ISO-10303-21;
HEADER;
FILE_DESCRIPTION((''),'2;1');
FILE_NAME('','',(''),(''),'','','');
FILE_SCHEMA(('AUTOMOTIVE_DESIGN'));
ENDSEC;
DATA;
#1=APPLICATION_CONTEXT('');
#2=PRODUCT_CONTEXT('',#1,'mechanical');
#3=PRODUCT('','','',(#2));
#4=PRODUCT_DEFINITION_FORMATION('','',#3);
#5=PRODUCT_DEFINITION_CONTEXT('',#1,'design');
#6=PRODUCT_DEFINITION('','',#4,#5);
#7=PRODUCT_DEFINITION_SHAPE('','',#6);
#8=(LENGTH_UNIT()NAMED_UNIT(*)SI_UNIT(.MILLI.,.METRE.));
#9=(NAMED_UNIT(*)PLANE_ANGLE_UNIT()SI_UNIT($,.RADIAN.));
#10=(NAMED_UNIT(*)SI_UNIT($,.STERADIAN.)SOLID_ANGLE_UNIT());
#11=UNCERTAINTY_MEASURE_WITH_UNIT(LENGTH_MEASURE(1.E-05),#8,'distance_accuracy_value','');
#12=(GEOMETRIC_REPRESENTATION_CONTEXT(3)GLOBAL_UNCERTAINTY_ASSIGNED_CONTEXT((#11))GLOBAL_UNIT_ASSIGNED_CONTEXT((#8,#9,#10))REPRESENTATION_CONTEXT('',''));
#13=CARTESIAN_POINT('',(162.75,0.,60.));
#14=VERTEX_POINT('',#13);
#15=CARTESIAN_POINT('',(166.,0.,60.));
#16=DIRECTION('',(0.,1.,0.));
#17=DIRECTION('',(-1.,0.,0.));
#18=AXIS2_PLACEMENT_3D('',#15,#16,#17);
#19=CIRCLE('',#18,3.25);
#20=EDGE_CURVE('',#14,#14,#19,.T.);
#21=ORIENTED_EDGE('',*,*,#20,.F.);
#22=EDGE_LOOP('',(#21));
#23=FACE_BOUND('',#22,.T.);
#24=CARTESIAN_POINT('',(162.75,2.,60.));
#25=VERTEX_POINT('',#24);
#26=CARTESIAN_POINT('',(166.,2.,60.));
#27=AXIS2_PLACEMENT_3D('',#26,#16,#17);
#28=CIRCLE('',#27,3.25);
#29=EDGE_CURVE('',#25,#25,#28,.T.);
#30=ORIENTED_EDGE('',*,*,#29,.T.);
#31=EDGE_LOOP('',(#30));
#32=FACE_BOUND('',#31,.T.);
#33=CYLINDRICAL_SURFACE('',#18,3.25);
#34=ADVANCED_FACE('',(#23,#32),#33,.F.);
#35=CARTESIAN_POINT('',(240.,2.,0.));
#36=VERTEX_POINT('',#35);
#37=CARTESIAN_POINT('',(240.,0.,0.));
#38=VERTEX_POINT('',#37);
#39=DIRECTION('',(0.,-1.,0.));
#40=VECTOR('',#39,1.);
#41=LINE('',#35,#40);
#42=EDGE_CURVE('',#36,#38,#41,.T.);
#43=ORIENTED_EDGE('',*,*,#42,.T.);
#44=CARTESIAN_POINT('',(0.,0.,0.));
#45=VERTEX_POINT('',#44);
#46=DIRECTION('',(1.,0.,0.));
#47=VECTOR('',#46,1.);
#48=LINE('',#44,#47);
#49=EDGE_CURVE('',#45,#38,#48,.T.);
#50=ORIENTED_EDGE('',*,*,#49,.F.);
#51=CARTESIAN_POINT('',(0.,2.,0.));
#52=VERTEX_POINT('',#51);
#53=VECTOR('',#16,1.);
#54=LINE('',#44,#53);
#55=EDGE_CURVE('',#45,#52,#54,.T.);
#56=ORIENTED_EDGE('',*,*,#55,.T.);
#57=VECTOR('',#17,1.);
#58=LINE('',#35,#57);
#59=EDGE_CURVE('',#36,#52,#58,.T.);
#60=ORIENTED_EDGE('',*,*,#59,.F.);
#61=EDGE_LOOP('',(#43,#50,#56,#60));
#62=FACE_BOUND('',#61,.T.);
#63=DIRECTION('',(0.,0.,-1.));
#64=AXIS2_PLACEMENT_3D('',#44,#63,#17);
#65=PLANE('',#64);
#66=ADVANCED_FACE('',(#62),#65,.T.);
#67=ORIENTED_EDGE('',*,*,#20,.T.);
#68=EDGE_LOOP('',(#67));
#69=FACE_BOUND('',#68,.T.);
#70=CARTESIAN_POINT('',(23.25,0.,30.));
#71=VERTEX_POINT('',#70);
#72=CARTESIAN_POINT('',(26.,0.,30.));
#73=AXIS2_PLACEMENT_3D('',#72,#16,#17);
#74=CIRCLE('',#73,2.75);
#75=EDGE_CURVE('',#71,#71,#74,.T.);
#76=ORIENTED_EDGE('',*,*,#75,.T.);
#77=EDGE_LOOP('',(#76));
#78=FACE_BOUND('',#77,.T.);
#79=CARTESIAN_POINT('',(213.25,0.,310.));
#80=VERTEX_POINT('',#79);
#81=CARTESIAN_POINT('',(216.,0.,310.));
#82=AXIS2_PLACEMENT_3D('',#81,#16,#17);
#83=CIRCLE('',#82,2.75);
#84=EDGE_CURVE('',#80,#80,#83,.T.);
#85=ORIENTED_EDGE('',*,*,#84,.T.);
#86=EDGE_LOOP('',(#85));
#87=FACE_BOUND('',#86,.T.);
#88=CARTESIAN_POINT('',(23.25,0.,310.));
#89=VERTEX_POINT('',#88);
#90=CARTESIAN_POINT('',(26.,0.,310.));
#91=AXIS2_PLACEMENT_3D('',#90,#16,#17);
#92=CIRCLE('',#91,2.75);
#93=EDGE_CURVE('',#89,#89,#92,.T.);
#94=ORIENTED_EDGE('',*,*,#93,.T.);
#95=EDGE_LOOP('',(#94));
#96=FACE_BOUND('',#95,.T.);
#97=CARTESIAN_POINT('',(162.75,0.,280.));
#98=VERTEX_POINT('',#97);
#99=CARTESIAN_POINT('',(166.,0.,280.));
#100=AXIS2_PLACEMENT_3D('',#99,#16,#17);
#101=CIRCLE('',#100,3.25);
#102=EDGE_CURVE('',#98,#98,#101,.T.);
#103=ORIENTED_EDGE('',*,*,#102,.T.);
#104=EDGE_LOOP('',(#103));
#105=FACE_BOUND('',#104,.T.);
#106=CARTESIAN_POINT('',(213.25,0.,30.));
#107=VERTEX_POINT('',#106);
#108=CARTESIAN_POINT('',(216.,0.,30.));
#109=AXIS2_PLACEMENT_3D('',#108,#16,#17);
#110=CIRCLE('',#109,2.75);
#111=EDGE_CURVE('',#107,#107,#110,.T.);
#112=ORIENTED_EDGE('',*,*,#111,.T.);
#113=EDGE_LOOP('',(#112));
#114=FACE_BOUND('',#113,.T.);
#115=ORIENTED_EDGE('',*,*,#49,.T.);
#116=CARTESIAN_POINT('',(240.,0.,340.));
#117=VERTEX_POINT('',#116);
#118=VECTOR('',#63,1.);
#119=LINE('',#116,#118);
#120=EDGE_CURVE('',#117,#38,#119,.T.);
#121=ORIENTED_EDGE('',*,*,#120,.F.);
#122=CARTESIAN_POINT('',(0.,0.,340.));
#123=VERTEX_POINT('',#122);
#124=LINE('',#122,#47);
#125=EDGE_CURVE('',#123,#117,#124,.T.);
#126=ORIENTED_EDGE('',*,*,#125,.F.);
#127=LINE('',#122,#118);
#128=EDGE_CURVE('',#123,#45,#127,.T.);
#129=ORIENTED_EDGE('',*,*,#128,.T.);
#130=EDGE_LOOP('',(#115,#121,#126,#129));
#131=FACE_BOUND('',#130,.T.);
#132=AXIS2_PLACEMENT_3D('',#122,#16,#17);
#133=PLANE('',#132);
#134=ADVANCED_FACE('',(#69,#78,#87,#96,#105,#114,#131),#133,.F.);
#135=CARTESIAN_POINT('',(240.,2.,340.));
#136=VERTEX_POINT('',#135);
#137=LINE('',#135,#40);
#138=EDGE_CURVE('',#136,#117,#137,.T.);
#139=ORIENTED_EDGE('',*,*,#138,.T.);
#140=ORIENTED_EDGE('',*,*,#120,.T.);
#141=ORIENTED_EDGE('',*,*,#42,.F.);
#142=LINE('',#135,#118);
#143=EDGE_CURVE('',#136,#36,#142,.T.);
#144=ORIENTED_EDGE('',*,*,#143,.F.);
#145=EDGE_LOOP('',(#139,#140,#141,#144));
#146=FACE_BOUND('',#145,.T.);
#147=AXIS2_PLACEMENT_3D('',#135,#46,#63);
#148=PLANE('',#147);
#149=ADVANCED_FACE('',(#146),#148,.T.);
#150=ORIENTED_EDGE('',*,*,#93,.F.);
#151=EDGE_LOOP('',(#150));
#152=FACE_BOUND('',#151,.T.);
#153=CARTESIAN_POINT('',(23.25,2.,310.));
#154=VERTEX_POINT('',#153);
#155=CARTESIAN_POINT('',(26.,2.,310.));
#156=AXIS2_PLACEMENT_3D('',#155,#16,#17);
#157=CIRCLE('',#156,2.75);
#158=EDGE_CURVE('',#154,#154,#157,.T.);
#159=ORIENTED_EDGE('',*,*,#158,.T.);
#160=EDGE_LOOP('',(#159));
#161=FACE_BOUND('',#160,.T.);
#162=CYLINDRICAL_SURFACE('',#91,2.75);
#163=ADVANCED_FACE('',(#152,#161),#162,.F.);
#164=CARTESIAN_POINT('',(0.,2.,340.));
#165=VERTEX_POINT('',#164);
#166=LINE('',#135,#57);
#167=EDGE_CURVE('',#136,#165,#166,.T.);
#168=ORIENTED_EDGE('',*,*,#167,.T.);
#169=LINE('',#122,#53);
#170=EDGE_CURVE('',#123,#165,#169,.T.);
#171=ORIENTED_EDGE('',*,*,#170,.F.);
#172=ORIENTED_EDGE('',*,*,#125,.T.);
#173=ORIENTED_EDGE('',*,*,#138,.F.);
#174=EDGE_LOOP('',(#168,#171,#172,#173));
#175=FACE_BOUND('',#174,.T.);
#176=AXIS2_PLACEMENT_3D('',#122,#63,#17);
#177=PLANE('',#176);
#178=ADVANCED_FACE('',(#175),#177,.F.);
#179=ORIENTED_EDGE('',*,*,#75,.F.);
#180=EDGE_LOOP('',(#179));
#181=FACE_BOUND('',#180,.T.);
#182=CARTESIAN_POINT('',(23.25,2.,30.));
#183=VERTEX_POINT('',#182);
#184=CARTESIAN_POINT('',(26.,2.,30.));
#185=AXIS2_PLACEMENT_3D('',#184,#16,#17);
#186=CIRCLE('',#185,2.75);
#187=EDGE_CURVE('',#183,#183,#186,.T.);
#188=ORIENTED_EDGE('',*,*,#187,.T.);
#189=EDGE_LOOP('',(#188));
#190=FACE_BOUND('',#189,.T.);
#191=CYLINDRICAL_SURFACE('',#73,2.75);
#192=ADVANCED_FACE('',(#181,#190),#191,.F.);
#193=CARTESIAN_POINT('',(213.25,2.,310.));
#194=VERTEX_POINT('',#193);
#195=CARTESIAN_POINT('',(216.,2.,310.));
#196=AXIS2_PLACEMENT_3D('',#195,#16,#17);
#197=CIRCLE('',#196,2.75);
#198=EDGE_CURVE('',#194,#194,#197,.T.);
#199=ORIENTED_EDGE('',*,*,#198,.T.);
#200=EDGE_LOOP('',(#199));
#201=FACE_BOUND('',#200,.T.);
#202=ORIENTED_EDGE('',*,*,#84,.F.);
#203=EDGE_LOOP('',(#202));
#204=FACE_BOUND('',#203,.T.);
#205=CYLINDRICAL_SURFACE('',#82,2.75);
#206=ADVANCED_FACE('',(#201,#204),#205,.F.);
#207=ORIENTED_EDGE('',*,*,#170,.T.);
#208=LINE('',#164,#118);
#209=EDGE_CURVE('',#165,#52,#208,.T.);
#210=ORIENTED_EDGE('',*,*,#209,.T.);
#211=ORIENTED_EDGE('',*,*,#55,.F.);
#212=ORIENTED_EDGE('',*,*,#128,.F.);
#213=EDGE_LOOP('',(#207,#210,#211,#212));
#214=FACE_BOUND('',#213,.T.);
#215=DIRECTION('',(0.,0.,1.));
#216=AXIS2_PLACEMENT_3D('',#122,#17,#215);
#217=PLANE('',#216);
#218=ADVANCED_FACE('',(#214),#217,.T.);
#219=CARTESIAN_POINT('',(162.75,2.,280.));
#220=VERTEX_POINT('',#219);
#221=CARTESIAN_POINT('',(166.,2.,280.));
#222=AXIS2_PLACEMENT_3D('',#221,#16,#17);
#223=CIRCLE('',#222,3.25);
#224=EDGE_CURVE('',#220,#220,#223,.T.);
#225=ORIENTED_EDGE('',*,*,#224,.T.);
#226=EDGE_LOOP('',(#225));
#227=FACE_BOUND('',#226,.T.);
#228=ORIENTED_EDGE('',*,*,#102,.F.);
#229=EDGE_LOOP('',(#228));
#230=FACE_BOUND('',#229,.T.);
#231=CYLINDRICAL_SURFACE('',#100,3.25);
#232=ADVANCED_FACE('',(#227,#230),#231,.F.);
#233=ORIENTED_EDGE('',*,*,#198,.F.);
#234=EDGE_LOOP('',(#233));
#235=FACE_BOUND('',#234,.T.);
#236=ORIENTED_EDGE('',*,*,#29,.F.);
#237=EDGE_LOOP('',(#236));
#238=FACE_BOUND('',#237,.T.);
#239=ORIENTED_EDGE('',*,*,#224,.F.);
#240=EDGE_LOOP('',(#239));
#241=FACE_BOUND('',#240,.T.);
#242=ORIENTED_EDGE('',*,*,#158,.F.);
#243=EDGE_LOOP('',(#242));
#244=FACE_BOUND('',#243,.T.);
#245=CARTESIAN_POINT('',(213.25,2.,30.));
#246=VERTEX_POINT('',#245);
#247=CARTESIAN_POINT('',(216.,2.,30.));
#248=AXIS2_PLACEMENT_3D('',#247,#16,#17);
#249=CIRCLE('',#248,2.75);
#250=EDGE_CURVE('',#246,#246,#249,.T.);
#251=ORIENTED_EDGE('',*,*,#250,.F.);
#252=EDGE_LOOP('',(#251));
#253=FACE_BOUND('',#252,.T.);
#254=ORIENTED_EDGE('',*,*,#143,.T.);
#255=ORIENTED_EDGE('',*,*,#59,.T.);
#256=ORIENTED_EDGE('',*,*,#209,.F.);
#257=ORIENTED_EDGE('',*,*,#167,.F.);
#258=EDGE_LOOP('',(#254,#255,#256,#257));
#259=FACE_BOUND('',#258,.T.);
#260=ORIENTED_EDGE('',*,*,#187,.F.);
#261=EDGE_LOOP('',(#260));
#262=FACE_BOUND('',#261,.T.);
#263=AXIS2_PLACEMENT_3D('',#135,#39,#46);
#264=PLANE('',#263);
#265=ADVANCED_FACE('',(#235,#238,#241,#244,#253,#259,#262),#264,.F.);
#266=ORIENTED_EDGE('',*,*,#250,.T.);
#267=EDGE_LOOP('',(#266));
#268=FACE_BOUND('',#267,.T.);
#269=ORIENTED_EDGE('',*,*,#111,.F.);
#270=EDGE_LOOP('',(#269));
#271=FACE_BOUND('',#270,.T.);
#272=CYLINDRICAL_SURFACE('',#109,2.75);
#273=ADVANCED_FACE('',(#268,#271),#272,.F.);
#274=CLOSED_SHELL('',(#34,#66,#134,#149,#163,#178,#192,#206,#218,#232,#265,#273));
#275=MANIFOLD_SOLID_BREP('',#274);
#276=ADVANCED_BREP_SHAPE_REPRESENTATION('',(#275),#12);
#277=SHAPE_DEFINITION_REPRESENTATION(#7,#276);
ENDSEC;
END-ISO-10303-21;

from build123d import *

# Parameters (mm, degrees)
ESQUISSE1_W                     = 240
ESQUISSE1_H                     = 2
BASE_EXTRUSION_DEPTH            = 340
ESQUISSE2_R                     = 2.75
ENL_V_MAT_EXTRU_1_DEPTH         = 417.177846599
R_P_TITION_LIN_AIRE1_COUNT      = 2
R_P_TITION_LIN_AIRE1_PITCH      = 190
R_P_TITION_LIN_AIRE1_COUNT_DIR2 = 2
R_P_TITION_LIN_AIRE1_PITCH_DIR2 = 280
ESQUISSE3_R                     = 3.25
ENL_V_MAT_EXTRU_2_DEPTH         = 417.177846599


with BuildPart() as part:
    # Esquisse1 → Base-Extrusion (new body)
    with BuildSketch(Plane.XY):
        with Locations((120, 1)):
            Rectangle(ESQUISSE1_W, ESQUISSE1_H)
    extrude(amount=BASE_EXTRUSION_DEPTH)

    # Esquisse2 → Enlèv. mat.-Extru.1 (cut, through all)
    with BuildSketch(Plane(origin=(0, 2, 0), x_dir=(-1, 0, 0), z_dir=(0, 1, 0))):
        with Locations((-216, 30)):
            Circle(ESQUISSE2_R)
    enl_v_mat_extru_1 = extrude(amount=-ENL_V_MAT_EXTRU_1_DEPTH, mode=Mode.SUBTRACT)

    # Répétition linéaire1: Enl_v. mat.-Extru.1 2 × 2
    with Locations(*[(-i * R_P_TITION_LIN_AIRE1_PITCH, 0, j * R_P_TITION_LIN_AIRE1_PITCH_DIR2) for i in range(R_P_TITION_LIN_AIRE1_COUNT) for j in range(R_P_TITION_LIN_AIRE1_COUNT_DIR2) if (i, j) != (0, 0)]):
        add(enl_v_mat_extru_1, mode=Mode.SUBTRACT)

    # Esquisse3 → Enlèv. mat.-Extru.2 (cut, through all)
    with BuildSketch(Plane(origin=(0, 2, 0), x_dir=(-1, 0, 0), z_dir=(0, 1, 0))):
        with Locations((-166, 280)):
            Circle(ESQUISSE3_R)
        with Locations((-166, 60)):
            Circle(ESQUISSE3_R)
    extrude(amount=-ENL_V_MAT_EXTRU_2_DEPTH, mode=Mode.SUBTRACT)


solid = part.part
